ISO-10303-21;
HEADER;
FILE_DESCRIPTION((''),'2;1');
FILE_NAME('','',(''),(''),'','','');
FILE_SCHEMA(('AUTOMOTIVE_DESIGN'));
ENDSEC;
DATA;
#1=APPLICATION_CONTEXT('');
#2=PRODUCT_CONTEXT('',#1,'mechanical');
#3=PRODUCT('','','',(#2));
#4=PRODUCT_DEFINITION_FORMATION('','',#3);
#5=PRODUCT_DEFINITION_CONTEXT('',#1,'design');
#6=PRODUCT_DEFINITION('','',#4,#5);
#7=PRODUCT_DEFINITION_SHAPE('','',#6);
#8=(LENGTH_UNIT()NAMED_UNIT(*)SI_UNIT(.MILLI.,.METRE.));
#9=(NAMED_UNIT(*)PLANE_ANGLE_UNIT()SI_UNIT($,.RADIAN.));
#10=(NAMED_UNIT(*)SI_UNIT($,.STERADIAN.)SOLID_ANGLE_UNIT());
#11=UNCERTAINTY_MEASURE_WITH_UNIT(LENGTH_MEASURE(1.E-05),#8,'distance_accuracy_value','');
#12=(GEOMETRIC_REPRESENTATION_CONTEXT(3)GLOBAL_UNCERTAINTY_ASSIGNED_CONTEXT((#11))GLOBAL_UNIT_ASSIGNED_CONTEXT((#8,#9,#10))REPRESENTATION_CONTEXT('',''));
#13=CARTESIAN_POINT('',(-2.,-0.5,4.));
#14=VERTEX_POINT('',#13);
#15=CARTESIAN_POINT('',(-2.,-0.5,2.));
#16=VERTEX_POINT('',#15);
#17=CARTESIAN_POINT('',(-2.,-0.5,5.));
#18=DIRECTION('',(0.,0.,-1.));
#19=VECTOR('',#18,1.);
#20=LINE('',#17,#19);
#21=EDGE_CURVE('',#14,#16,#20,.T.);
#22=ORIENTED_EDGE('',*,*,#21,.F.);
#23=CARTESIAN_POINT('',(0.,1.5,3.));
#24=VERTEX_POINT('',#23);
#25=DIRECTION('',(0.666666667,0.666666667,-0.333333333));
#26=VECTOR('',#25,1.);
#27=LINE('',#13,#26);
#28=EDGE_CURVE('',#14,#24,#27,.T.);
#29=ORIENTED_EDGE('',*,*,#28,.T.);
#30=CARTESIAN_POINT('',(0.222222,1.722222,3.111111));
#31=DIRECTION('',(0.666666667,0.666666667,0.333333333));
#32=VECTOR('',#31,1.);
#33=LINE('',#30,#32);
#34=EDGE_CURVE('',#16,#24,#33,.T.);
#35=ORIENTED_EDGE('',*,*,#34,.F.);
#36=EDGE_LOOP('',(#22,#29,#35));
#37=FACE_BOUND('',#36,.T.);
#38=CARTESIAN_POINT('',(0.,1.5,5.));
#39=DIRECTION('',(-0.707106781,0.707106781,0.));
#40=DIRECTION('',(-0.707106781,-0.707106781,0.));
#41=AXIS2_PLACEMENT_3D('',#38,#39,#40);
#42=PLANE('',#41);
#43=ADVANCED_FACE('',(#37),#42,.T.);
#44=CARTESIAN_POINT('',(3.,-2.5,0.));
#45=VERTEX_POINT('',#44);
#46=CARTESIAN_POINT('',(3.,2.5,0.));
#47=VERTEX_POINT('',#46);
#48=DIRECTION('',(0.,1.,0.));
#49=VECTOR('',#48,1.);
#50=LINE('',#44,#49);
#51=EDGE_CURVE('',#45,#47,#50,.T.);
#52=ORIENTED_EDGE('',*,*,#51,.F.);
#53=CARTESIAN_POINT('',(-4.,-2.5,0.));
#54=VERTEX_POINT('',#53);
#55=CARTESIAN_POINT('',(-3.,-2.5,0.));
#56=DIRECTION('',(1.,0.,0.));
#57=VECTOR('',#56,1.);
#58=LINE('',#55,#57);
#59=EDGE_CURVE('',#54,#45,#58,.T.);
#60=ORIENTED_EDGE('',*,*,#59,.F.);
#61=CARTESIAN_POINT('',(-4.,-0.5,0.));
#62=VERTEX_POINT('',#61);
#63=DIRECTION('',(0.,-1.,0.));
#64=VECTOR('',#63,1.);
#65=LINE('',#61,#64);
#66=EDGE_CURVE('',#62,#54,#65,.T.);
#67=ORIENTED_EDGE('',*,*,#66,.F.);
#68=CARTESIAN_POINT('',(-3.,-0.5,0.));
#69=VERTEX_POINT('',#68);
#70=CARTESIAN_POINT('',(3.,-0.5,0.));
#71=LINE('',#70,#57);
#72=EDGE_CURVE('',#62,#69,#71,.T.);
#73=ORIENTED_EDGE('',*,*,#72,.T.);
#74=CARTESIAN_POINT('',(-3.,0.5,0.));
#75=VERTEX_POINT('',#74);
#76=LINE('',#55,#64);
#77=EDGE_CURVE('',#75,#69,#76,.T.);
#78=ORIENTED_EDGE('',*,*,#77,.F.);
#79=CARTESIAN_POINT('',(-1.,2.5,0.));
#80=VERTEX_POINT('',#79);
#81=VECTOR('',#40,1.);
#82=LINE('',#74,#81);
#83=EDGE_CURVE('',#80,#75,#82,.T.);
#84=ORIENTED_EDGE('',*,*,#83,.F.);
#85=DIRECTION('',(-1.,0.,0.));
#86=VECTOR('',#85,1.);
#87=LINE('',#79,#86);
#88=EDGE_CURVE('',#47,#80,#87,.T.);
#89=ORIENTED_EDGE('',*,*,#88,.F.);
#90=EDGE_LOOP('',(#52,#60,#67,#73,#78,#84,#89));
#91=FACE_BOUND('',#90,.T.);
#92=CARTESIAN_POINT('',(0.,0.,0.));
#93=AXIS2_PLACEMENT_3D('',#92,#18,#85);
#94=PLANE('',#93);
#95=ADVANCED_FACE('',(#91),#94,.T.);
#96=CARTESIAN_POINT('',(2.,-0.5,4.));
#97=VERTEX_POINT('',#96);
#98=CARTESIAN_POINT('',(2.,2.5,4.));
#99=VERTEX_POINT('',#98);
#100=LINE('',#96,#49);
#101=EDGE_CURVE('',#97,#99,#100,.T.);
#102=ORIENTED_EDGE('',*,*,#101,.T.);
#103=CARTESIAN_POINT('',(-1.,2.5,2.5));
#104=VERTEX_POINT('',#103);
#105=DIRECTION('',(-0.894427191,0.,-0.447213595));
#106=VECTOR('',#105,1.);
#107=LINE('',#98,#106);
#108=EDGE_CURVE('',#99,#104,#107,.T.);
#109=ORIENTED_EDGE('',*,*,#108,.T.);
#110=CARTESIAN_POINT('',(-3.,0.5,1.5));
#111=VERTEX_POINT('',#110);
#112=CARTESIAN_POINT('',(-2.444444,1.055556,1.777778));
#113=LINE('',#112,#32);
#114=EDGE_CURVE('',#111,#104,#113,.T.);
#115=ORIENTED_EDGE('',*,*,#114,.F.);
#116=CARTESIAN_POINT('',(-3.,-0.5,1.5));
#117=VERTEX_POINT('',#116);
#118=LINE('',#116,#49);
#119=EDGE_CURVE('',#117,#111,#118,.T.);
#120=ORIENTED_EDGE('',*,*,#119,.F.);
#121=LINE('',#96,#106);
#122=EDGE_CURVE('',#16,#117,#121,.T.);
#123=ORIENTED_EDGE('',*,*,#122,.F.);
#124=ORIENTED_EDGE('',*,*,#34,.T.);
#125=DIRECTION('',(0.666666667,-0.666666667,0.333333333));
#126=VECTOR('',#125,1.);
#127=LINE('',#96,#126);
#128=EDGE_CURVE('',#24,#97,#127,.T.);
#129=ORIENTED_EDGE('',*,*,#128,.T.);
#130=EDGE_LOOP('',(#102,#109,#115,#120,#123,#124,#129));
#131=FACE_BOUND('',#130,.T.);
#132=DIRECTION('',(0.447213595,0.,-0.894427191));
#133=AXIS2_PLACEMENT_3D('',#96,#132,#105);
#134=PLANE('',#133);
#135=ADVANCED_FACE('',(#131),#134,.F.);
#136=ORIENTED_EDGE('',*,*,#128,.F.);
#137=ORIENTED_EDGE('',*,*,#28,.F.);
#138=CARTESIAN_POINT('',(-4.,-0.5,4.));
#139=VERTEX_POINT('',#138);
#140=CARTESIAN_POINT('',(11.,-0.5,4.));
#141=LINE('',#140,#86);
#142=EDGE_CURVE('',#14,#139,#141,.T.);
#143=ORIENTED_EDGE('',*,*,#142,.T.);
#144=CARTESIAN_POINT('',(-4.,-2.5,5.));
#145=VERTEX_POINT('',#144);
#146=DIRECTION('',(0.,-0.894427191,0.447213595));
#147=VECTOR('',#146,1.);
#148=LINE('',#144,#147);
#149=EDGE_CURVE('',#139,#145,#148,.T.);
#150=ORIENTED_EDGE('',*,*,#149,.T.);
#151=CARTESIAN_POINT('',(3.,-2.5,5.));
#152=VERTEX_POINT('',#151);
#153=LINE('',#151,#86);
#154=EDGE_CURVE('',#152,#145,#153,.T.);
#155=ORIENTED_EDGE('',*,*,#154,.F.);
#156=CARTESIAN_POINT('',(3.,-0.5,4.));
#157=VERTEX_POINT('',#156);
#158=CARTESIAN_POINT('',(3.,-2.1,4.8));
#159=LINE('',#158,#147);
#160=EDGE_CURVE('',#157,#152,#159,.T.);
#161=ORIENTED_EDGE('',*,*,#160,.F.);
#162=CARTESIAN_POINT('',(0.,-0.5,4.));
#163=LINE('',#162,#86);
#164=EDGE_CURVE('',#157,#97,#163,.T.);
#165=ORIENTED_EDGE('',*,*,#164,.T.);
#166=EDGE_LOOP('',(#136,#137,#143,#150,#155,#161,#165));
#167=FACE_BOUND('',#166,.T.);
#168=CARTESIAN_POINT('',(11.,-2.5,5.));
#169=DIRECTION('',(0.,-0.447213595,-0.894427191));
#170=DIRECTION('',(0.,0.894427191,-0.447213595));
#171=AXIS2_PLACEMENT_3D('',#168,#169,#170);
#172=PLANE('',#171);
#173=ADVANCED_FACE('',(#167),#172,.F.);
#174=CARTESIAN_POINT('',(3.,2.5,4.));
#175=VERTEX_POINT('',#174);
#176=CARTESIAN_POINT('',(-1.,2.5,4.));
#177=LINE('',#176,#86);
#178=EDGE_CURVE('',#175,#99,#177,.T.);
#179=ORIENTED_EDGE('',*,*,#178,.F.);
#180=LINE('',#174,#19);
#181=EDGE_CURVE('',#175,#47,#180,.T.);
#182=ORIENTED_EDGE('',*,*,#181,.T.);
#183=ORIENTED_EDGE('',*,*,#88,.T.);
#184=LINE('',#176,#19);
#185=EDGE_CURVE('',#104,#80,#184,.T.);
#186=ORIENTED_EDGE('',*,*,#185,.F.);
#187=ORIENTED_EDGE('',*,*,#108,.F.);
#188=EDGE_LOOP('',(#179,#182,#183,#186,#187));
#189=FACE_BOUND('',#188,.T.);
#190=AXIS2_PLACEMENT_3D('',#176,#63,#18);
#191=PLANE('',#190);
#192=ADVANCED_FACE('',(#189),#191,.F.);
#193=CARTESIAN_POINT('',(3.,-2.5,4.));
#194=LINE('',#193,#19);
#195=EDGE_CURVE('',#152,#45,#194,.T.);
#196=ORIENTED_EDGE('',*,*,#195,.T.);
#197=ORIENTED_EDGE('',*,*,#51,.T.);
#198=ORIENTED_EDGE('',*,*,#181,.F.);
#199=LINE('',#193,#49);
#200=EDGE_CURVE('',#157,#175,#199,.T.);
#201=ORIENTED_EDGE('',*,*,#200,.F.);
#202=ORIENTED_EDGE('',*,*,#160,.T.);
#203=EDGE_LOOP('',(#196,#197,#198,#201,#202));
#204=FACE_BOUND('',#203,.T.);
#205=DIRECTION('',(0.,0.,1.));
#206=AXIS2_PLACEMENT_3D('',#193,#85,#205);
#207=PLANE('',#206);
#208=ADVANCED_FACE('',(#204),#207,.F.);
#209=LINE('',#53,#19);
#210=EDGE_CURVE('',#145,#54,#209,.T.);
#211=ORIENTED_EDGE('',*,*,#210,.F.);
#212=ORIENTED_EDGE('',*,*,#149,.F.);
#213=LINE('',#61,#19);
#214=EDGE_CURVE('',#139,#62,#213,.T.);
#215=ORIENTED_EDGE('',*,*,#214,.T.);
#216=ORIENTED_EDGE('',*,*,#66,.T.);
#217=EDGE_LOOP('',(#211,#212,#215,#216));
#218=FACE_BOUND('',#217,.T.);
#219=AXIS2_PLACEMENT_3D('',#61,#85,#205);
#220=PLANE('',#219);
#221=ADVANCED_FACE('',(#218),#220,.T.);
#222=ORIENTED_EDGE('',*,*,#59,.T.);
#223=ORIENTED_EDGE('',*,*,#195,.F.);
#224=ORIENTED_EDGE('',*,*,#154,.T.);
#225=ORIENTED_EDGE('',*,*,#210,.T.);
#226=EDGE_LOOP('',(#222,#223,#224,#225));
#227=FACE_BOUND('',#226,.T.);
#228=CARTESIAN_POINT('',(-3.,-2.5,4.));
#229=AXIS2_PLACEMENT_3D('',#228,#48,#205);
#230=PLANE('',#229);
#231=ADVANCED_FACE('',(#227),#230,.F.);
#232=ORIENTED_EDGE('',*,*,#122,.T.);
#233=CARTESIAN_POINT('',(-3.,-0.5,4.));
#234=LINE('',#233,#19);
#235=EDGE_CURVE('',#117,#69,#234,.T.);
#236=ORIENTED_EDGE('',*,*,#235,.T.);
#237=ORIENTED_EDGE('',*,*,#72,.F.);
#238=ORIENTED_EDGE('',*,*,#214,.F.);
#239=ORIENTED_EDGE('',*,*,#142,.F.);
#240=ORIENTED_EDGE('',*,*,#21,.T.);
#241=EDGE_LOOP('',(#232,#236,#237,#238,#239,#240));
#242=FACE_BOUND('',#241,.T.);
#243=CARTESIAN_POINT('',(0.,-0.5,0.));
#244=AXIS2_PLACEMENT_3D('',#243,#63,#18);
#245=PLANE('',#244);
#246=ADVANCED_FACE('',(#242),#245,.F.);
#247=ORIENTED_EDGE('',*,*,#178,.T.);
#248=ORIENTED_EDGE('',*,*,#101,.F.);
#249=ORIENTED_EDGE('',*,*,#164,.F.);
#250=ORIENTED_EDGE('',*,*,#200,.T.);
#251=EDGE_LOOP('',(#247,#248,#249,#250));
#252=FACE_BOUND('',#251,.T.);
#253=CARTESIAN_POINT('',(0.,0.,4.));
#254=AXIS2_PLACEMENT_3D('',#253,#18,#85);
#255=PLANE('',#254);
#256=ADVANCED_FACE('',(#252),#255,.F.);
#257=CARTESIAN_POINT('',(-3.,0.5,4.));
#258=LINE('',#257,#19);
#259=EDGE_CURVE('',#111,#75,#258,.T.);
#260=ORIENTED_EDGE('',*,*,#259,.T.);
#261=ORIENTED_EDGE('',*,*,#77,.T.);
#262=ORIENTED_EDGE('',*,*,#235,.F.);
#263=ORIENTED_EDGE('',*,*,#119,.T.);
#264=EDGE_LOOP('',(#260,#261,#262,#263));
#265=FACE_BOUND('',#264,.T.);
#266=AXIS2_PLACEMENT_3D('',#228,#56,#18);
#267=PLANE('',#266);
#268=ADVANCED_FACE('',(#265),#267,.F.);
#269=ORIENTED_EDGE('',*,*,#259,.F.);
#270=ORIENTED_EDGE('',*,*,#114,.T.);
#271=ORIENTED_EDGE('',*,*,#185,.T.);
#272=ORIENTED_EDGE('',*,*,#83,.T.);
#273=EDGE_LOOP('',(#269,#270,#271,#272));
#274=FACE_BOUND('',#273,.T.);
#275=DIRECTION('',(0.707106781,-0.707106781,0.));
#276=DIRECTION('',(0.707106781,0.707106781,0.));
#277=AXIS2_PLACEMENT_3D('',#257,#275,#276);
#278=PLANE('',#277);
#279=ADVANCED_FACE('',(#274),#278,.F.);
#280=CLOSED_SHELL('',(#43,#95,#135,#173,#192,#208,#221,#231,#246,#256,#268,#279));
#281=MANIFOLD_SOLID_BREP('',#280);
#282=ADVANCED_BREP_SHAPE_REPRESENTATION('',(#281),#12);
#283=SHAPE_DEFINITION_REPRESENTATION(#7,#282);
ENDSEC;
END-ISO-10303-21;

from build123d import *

# Parameters (mm, degrees)
BOSS_EXTRUDE1_DEPTH = 4
SKETCH2_W           = 7
SKETCH2_H           = 5
BOSS_EXTRUDE2_DEPTH = 2
CUT_EXTRUDE1_DEPTH  = 3
BOSS_EXTRUDE3_DEPTH = 5
CUT_EXTRUDE2_DEPTH  = 15
CUT_EXTRUDE3_DEPTH  = 15


with BuildPart() as part:
    # Sketch1 → Boss-Extrude1 (new body)
    with BuildSketch(Plane.XY):
        Polygon((-3, 0.5), (-1, 2.5), (3, 2.5), (3, -2.5), (-3, -2.5), align=None)
    extrude(amount=BOSS_EXTRUDE1_DEPTH)

    # Sketch2 → Boss-Extrude2 (add)
    with BuildSketch(Plane.XZ.offset(2.5)):
        with Locations((-0.5, 2.5)):
            Rectangle(SKETCH2_W, SKETCH2_H)
    extrude(amount=-BOSS_EXTRUDE2_DEPTH)

    # Sketch3 → Cut-Extrude1 (cut)
    with BuildSketch(Plane(origin=(0, 2.5, 0), x_dir=(1, 0, 0), z_dir=(0, 1, 0))):
        Polygon((2, -4), (-3, -1.5), (-3, -4), align=None)
    extrude(amount=-CUT_EXTRUDE1_DEPTH, mode=Mode.SUBTRACT)

    # Sketch4 → Boss-Extrude3 (add)
    with BuildSketch(Plane(origin=(0, 0, 0), x_dir=(-1, 0, 0), z_dir=(0, 0, -1))):
        Polygon((-2, -0.5), (0, 1.5), (2, -0.5), (4, -0.5), (4, -2.5), (-3, -2.5), (-3, -0.5), align=None)
    extrude(amount=-BOSS_EXTRUDE3_DEPTH)

    # Sketch5 → Cut-Extrude2 (cut)
    with BuildSketch(Plane.ZY.offset(4)):
        Polygon((5, -2.5), (4, -0.5), (5, -0.5), align=None)
    extrude(amount=-CUT_EXTRUDE2_DEPTH, mode=Mode.SUBTRACT)

    # 3DSketch3 → Cut-Extrude3 (cut, along a direction that is not the sketch's normal)
    with BuildSketch(Plane(origin=(-2, -0.5, 4), x_dir=(1, 0, 0), z_dir=(0, 0.4472135954999576, 0.8944271909999162))):
        Polygon((0, 0), (2, 2.236067977), (4, 0), align=None)
    extrude(amount=CUT_EXTRUDE3_DEPTH, dir=(0, 0, 1), mode=Mode.SUBTRACT)


solid = part.part
